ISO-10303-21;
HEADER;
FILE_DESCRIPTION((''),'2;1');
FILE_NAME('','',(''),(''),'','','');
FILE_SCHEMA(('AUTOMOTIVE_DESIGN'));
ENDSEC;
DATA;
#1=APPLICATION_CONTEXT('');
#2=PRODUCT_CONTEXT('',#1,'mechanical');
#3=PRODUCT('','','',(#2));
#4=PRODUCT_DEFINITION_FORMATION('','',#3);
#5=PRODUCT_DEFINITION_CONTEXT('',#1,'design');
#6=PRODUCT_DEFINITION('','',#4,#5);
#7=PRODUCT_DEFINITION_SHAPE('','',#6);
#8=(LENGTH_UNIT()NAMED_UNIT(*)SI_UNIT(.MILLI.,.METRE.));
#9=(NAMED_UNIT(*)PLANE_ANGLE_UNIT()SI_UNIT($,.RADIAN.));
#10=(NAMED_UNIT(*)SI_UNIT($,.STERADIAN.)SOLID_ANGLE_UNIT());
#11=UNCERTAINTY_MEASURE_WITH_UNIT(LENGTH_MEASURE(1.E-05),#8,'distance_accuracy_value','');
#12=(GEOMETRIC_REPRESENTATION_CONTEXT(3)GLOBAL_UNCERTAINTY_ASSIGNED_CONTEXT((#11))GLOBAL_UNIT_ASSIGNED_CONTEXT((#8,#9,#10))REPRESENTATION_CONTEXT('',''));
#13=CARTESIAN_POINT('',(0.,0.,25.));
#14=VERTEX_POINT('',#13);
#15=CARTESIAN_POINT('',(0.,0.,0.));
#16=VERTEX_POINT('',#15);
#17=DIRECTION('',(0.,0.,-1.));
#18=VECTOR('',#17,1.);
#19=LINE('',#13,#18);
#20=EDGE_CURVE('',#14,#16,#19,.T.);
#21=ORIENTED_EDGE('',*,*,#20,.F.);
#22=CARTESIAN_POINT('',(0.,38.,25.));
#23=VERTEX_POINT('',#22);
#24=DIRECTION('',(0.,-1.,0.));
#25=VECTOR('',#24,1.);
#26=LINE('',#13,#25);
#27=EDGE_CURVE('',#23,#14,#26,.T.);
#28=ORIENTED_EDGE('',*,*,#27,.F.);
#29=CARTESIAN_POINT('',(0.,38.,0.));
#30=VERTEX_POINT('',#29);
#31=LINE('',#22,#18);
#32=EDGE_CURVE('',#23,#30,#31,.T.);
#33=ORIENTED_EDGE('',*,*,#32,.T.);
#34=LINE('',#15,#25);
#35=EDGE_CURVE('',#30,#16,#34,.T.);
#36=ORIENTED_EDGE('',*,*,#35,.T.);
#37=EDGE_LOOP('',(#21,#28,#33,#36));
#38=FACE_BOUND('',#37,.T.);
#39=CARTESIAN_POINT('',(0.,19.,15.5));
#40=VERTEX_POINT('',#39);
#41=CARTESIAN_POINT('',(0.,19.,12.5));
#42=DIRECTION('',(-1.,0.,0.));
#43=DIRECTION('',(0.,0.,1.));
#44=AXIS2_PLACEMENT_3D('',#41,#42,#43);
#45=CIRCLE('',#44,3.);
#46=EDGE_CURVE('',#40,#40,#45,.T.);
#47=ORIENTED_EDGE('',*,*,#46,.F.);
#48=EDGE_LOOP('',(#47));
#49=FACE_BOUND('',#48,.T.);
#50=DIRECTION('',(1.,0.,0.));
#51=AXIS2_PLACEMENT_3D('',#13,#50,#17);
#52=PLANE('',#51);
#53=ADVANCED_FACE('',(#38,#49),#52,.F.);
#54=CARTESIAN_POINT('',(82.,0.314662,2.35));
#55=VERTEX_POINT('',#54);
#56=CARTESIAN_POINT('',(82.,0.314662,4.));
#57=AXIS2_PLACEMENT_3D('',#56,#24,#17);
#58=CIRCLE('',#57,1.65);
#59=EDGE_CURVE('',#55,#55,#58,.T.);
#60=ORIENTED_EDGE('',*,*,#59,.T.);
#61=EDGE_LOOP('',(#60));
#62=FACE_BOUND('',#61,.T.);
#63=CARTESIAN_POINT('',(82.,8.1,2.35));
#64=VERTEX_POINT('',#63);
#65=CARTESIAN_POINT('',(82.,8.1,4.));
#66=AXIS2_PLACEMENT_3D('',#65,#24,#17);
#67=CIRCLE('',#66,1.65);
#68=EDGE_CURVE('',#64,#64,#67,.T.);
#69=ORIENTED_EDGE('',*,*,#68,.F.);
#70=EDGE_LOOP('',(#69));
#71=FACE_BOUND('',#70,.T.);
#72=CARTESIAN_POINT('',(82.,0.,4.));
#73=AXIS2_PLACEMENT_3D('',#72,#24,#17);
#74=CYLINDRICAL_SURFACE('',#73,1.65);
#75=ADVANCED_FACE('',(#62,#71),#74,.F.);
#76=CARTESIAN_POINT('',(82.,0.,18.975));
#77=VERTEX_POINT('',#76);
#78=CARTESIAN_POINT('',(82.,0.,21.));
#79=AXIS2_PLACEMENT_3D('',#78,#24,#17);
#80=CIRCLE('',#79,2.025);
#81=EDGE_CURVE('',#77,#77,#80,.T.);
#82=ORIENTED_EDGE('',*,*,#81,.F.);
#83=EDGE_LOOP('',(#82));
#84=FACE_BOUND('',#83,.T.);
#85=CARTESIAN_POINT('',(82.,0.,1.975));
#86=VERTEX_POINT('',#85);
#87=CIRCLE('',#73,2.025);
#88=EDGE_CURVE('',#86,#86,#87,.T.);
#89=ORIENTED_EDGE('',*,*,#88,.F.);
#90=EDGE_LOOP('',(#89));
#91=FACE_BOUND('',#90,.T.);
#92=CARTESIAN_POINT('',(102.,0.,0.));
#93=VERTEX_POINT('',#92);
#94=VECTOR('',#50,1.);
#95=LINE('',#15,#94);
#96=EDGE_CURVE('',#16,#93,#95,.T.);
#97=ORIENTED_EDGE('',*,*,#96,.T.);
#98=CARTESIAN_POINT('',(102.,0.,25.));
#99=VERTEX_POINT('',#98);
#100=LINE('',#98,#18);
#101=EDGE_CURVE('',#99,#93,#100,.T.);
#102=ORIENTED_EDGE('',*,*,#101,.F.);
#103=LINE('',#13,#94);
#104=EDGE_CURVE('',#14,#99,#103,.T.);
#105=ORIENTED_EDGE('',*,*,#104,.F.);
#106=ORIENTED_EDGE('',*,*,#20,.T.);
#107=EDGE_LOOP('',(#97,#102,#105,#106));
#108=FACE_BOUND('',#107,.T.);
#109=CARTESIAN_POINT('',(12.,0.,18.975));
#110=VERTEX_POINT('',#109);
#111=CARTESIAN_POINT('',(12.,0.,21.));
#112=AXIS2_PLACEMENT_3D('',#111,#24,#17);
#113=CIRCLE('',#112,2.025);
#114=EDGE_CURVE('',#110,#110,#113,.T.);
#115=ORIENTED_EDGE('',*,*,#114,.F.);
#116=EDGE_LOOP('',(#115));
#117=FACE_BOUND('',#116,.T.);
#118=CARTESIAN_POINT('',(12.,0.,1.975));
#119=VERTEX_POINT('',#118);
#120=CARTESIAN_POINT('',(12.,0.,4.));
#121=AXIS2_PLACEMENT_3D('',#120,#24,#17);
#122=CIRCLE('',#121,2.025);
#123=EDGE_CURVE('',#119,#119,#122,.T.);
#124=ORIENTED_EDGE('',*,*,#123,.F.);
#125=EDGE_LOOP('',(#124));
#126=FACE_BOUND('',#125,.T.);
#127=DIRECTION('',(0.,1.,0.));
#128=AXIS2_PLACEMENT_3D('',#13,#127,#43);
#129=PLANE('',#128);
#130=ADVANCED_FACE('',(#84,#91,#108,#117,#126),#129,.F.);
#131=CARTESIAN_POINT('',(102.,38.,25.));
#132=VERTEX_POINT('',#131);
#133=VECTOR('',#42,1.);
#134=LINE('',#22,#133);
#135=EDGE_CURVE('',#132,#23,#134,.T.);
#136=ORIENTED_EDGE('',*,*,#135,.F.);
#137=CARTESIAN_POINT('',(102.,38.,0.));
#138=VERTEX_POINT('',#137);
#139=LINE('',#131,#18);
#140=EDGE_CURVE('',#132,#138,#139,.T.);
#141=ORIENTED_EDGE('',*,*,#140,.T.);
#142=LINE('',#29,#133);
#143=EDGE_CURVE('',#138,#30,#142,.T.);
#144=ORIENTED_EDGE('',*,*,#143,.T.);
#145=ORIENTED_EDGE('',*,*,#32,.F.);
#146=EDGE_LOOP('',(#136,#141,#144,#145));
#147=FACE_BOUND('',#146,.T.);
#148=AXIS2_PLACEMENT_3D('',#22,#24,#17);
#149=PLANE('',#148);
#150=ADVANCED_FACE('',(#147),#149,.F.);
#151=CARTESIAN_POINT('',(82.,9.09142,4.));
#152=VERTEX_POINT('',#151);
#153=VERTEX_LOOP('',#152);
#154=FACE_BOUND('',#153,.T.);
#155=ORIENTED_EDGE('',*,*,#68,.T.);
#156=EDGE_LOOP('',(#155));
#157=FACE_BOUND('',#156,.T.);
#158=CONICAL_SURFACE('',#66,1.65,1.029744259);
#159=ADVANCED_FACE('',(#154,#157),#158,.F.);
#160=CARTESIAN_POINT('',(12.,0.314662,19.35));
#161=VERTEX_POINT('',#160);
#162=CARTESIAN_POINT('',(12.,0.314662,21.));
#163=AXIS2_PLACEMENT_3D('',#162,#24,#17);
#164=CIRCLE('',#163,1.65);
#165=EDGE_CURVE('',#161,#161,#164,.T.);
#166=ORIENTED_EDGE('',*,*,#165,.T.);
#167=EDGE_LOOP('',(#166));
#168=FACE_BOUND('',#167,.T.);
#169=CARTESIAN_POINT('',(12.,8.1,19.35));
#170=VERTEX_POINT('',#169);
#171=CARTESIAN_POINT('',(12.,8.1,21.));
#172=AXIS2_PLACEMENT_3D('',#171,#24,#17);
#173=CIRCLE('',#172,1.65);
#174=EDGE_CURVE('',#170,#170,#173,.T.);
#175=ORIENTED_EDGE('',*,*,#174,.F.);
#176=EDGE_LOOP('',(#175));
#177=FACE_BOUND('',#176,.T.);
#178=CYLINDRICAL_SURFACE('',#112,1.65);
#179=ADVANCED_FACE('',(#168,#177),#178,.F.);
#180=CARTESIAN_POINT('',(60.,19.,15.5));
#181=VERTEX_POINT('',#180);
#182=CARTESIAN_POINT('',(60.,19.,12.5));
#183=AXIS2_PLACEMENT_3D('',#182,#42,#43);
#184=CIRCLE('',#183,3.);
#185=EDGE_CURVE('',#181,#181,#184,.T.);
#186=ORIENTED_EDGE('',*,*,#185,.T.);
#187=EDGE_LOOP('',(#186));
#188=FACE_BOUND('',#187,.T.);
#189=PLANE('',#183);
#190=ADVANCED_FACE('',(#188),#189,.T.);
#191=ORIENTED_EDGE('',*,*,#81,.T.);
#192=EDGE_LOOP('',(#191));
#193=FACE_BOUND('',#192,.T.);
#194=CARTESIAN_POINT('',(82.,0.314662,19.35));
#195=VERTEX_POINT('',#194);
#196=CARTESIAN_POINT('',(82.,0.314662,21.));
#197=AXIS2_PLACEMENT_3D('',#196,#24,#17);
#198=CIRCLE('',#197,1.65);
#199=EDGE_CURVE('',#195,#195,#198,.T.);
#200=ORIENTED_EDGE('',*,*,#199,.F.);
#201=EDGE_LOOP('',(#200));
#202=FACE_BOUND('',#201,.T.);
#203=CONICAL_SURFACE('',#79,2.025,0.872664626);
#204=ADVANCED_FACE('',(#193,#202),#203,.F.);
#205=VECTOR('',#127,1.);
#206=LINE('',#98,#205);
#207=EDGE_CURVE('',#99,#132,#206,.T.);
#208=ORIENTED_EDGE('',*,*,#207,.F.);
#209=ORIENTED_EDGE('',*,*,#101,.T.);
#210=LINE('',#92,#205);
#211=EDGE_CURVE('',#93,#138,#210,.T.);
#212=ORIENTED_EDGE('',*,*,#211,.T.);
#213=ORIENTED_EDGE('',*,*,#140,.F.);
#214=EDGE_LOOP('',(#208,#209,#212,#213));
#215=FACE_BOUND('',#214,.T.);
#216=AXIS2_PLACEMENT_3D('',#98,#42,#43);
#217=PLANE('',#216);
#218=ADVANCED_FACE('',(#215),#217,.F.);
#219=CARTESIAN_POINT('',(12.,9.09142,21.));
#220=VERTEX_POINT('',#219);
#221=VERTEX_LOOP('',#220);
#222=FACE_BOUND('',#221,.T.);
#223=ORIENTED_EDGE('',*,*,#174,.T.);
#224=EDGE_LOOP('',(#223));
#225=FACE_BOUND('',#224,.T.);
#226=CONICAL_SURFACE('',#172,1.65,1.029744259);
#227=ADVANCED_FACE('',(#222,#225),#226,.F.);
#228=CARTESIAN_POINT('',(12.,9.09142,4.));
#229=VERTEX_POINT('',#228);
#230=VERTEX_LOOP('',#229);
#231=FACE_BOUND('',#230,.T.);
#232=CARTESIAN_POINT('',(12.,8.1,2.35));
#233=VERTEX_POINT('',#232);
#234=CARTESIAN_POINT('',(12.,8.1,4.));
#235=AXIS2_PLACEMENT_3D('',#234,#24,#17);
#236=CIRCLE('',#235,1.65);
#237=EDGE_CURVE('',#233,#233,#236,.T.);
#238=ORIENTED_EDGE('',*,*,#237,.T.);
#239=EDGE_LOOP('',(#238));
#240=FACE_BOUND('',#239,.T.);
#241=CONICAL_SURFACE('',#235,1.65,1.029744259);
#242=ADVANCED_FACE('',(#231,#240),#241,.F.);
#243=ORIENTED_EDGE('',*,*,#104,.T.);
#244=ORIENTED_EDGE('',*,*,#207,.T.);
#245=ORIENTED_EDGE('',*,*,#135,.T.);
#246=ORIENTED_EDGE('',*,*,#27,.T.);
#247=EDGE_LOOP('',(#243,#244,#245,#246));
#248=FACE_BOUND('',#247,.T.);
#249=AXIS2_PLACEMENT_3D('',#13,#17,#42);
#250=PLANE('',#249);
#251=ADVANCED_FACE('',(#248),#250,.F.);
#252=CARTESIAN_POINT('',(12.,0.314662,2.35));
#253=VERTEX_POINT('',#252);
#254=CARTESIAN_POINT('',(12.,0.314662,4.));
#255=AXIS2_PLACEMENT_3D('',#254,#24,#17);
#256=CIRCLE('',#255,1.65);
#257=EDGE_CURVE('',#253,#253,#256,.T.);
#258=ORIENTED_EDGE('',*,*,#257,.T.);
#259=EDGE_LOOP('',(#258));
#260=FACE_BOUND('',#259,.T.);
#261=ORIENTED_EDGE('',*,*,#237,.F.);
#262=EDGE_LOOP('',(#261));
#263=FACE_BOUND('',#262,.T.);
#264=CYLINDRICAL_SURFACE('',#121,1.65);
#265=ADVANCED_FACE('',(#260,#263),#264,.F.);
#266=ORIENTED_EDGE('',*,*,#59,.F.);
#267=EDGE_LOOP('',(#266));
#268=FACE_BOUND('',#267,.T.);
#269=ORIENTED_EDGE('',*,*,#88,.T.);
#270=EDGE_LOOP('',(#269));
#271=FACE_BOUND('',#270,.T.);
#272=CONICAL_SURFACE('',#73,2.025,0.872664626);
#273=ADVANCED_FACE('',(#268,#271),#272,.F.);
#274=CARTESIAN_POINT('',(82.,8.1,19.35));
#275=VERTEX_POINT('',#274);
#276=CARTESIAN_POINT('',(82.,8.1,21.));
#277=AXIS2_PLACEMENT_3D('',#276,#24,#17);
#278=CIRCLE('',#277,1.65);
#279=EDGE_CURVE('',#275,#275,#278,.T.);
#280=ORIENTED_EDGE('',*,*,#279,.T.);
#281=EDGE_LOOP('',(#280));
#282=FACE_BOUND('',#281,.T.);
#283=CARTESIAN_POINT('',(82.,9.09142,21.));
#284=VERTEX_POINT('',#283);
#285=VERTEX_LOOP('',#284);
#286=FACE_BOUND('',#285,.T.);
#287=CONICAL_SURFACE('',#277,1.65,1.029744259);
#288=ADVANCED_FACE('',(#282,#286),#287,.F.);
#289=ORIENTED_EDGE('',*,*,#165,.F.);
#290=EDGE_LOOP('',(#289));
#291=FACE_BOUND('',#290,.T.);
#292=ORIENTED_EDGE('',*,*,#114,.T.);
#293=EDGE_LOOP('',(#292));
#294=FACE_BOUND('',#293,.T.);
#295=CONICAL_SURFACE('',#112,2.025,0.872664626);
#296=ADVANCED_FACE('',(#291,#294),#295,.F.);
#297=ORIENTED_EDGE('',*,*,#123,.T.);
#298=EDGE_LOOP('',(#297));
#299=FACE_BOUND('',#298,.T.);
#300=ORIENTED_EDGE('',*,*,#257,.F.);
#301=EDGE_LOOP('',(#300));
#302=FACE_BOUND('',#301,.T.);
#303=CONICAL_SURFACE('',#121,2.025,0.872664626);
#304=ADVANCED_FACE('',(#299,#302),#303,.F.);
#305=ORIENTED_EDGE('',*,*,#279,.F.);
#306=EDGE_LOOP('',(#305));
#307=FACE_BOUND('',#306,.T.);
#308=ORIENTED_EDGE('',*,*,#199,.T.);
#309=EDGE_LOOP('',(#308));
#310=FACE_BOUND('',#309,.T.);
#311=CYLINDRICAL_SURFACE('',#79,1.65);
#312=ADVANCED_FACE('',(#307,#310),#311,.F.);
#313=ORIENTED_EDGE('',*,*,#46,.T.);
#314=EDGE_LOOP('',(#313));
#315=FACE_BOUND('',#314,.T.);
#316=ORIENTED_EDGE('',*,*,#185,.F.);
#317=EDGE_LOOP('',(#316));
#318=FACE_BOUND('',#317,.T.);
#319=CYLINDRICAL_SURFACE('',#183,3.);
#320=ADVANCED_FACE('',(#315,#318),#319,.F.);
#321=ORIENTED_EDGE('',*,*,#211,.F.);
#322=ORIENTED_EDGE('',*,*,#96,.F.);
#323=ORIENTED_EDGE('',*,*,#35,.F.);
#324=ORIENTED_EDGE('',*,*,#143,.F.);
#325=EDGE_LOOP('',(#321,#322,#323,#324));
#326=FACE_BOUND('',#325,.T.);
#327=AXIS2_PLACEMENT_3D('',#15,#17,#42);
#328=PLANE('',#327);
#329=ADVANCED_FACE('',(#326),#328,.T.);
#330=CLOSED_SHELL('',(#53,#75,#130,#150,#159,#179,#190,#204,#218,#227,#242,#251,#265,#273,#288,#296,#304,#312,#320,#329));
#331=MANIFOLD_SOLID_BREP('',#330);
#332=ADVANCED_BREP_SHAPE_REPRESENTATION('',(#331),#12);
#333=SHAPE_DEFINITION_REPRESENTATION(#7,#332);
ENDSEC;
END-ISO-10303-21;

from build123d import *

# Parameters (mm, degrees)
SKETCH1_W                       = 102
SKETCH1_H                       = 38
BOSS_EXTRUDE1_DEPTH             = 25
SKETCH2_R                       = 3
CUT_EXTRUDE1_DEPTH              = 60
M4X0_7_TAPPED_HOLE1_D           = 3.3
M4X0_7_TAPPED_HOLE1_DEPTH       = 8.1
M4X0_7_TAPPED_HOLE1_CSINK_D     = 4.05
M4X0_7_TAPPED_HOLE1_CSINK_ANGLE = 100
M4X0_7_TAPPED_HOLE1_TIP         = 0.991420021


with BuildPart() as part:
    # Sketch1 → Boss-Extrude1 (new body)
    with BuildSketch(Plane.XY):
        with Locations((51, 19)):
            Rectangle(SKETCH1_W, SKETCH1_H)
    extrude(amount=BOSS_EXTRUDE1_DEPTH)

    # Sketch2 → Cut-Extrude1 (cut)
    with BuildSketch(Plane.ZY):
        with Locations((12.5, 19)):
            Circle(SKETCH2_R)
    extrude(amount=-CUT_EXTRUDE1_DEPTH, mode=Mode.SUBTRACT)

    # M4x0.7 Tapped Hole1
    with Locations(Plane(origin=(0, 0, 0), x_dir=(-1, 0, 0), z_dir=(0, -1, 0))):
        with Locations((-82, -4), (-12, -4), (-12, -21), (-82, -21)):
            CounterSinkHole(M4X0_7_TAPPED_HOLE1_D / 2, M4X0_7_TAPPED_HOLE1_CSINK_D / 2, depth=M4X0_7_TAPPED_HOLE1_DEPTH, counter_sink_angle=M4X0_7_TAPPED_HOLE1_CSINK_ANGLE)
            with Locations((0, 0, -(M4X0_7_TAPPED_HOLE1_DEPTH + M4X0_7_TAPPED_HOLE1_TIP / 2))):  # 118° drill point
                Cone(0, M4X0_7_TAPPED_HOLE1_D / 2, M4X0_7_TAPPED_HOLE1_TIP, mode=Mode.SUBTRACT)


solid = part.part
